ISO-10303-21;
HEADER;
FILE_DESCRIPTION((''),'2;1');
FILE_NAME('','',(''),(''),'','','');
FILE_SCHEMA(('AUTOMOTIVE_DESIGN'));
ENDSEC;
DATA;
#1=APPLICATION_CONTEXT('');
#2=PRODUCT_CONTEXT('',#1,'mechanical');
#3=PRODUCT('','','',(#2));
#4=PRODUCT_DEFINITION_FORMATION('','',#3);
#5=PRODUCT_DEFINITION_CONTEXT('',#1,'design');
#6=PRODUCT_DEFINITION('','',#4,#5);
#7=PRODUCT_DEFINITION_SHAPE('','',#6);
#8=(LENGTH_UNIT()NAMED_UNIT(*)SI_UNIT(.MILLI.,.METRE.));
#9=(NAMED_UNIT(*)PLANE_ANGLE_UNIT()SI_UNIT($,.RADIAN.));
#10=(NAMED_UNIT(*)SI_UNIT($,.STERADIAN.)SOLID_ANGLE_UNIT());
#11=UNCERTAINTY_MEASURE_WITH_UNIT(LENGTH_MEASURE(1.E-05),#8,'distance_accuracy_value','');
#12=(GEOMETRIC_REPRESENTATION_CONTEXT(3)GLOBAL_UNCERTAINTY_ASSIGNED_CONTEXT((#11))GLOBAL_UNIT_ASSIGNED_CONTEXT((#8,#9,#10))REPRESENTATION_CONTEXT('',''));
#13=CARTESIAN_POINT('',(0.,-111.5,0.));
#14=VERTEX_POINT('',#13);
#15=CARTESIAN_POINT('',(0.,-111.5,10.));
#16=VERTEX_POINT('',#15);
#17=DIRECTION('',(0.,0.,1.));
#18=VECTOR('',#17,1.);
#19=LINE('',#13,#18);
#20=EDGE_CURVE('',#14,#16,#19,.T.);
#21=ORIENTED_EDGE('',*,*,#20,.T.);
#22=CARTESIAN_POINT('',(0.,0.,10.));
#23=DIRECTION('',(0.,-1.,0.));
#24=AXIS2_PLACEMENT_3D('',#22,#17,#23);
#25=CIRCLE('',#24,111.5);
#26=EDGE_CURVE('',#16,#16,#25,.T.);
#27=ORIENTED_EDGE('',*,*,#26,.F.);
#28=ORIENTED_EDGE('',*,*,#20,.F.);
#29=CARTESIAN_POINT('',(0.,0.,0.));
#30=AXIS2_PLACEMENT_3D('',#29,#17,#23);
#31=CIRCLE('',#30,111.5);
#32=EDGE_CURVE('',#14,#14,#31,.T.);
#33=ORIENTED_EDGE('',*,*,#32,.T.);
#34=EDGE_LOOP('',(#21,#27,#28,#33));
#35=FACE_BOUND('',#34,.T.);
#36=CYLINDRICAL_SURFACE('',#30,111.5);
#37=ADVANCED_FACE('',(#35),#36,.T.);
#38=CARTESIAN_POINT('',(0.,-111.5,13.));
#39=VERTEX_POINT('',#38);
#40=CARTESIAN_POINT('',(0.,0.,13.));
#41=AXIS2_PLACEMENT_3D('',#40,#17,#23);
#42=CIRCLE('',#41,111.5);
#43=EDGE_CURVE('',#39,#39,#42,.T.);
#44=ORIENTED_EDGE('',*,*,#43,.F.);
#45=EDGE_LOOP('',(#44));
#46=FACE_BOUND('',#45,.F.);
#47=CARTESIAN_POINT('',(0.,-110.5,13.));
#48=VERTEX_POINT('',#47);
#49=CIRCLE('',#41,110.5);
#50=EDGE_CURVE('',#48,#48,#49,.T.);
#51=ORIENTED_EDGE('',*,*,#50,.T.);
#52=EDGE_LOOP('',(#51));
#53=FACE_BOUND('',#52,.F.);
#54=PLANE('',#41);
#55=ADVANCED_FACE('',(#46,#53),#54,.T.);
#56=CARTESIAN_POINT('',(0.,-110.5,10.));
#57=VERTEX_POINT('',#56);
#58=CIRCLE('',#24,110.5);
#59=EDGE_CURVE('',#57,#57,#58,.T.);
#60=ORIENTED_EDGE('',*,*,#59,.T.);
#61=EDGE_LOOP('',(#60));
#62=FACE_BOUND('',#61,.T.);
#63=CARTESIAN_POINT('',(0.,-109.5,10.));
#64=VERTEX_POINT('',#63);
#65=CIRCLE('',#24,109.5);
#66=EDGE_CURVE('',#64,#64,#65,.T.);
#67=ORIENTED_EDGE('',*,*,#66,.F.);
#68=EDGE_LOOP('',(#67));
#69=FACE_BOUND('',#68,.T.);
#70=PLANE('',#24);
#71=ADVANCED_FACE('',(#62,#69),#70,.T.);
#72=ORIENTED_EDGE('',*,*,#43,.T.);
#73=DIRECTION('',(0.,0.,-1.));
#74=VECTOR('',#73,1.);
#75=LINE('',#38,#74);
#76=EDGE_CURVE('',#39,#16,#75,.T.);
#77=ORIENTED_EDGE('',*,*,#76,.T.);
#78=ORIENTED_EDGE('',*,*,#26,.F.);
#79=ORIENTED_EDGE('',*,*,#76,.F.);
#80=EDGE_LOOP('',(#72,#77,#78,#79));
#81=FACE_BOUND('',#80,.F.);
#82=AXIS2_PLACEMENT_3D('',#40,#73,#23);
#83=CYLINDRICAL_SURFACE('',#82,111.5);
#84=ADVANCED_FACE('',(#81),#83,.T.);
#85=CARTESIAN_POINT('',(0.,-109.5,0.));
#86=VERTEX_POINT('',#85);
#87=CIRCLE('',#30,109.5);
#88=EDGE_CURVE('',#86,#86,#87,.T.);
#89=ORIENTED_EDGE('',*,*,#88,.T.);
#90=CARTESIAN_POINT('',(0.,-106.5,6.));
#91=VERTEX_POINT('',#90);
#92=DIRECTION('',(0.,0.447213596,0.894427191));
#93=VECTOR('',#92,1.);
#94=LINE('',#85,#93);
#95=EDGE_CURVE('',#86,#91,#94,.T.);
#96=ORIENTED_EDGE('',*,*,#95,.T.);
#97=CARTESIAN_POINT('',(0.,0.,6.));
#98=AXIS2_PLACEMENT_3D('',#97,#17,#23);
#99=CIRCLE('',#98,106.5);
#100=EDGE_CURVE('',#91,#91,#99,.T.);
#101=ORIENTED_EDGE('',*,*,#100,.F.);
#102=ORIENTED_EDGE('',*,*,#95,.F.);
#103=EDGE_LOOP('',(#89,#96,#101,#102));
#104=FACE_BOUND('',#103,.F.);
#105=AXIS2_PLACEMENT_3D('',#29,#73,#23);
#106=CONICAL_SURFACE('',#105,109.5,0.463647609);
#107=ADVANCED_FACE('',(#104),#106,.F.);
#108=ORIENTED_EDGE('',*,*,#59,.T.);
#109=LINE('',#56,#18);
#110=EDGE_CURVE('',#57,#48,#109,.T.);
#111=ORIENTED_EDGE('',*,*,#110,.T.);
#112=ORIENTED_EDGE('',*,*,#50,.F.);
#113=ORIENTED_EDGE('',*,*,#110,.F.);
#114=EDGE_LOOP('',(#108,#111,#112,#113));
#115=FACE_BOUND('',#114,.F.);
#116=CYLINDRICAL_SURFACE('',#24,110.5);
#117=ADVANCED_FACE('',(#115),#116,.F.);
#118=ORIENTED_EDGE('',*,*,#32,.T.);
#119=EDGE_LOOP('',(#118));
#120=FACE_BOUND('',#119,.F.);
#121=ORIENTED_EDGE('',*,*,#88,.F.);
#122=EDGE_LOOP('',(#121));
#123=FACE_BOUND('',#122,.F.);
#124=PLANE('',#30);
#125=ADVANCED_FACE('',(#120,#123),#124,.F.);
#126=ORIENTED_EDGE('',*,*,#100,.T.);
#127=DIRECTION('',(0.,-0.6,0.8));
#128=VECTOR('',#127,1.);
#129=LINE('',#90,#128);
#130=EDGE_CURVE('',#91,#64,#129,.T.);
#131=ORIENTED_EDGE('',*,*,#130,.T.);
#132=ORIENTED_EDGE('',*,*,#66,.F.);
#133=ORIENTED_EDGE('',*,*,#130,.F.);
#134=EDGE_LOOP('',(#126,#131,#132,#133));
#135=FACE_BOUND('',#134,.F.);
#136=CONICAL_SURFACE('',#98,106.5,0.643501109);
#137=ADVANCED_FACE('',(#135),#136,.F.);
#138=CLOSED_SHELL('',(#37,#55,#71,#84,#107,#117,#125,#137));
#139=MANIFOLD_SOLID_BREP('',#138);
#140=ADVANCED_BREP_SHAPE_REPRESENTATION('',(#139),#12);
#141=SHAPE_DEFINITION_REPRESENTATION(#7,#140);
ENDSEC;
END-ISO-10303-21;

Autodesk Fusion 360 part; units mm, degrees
sketch "Skizze1" plane through (0, 0, 0) normal (1, 0, 0) x (0, 1, 0)
  line L0 (-111.5, 0) -> (-111.5, 10)
  line L1 (-110.5, 10) -> (-109.5, 10)
  line L2 (-111.5, 0) -> (-109.5, 0)
  line L3 (-109.5, 0) -> (-106.5, 6)
  line L4 (-106.5, 6) -> (-109.5, 10)
  line L5 (0, 0) -> (0, 38) construction
  line L6 (-110.5, 10) -> (-110.5, 13)
  line L7 (-110.5, 13) -> (-111.5, 13)
  line L8 (-111.5, 13) -> (-111.5, 10)
  dimension "d2" = 2
  dimension "d3" = 2
  dimension "d4" = 6
  dimension "d5" = 5
  dimension "d6" = 111.5
  dimension "d9" = 3
  dimension "d10" = 1
  dimension "d11" = 10
revolve "Drehen1" add sketch "Skizze1" angle 360 about axis through (0, 0, 0) along (0, 0, 1)
